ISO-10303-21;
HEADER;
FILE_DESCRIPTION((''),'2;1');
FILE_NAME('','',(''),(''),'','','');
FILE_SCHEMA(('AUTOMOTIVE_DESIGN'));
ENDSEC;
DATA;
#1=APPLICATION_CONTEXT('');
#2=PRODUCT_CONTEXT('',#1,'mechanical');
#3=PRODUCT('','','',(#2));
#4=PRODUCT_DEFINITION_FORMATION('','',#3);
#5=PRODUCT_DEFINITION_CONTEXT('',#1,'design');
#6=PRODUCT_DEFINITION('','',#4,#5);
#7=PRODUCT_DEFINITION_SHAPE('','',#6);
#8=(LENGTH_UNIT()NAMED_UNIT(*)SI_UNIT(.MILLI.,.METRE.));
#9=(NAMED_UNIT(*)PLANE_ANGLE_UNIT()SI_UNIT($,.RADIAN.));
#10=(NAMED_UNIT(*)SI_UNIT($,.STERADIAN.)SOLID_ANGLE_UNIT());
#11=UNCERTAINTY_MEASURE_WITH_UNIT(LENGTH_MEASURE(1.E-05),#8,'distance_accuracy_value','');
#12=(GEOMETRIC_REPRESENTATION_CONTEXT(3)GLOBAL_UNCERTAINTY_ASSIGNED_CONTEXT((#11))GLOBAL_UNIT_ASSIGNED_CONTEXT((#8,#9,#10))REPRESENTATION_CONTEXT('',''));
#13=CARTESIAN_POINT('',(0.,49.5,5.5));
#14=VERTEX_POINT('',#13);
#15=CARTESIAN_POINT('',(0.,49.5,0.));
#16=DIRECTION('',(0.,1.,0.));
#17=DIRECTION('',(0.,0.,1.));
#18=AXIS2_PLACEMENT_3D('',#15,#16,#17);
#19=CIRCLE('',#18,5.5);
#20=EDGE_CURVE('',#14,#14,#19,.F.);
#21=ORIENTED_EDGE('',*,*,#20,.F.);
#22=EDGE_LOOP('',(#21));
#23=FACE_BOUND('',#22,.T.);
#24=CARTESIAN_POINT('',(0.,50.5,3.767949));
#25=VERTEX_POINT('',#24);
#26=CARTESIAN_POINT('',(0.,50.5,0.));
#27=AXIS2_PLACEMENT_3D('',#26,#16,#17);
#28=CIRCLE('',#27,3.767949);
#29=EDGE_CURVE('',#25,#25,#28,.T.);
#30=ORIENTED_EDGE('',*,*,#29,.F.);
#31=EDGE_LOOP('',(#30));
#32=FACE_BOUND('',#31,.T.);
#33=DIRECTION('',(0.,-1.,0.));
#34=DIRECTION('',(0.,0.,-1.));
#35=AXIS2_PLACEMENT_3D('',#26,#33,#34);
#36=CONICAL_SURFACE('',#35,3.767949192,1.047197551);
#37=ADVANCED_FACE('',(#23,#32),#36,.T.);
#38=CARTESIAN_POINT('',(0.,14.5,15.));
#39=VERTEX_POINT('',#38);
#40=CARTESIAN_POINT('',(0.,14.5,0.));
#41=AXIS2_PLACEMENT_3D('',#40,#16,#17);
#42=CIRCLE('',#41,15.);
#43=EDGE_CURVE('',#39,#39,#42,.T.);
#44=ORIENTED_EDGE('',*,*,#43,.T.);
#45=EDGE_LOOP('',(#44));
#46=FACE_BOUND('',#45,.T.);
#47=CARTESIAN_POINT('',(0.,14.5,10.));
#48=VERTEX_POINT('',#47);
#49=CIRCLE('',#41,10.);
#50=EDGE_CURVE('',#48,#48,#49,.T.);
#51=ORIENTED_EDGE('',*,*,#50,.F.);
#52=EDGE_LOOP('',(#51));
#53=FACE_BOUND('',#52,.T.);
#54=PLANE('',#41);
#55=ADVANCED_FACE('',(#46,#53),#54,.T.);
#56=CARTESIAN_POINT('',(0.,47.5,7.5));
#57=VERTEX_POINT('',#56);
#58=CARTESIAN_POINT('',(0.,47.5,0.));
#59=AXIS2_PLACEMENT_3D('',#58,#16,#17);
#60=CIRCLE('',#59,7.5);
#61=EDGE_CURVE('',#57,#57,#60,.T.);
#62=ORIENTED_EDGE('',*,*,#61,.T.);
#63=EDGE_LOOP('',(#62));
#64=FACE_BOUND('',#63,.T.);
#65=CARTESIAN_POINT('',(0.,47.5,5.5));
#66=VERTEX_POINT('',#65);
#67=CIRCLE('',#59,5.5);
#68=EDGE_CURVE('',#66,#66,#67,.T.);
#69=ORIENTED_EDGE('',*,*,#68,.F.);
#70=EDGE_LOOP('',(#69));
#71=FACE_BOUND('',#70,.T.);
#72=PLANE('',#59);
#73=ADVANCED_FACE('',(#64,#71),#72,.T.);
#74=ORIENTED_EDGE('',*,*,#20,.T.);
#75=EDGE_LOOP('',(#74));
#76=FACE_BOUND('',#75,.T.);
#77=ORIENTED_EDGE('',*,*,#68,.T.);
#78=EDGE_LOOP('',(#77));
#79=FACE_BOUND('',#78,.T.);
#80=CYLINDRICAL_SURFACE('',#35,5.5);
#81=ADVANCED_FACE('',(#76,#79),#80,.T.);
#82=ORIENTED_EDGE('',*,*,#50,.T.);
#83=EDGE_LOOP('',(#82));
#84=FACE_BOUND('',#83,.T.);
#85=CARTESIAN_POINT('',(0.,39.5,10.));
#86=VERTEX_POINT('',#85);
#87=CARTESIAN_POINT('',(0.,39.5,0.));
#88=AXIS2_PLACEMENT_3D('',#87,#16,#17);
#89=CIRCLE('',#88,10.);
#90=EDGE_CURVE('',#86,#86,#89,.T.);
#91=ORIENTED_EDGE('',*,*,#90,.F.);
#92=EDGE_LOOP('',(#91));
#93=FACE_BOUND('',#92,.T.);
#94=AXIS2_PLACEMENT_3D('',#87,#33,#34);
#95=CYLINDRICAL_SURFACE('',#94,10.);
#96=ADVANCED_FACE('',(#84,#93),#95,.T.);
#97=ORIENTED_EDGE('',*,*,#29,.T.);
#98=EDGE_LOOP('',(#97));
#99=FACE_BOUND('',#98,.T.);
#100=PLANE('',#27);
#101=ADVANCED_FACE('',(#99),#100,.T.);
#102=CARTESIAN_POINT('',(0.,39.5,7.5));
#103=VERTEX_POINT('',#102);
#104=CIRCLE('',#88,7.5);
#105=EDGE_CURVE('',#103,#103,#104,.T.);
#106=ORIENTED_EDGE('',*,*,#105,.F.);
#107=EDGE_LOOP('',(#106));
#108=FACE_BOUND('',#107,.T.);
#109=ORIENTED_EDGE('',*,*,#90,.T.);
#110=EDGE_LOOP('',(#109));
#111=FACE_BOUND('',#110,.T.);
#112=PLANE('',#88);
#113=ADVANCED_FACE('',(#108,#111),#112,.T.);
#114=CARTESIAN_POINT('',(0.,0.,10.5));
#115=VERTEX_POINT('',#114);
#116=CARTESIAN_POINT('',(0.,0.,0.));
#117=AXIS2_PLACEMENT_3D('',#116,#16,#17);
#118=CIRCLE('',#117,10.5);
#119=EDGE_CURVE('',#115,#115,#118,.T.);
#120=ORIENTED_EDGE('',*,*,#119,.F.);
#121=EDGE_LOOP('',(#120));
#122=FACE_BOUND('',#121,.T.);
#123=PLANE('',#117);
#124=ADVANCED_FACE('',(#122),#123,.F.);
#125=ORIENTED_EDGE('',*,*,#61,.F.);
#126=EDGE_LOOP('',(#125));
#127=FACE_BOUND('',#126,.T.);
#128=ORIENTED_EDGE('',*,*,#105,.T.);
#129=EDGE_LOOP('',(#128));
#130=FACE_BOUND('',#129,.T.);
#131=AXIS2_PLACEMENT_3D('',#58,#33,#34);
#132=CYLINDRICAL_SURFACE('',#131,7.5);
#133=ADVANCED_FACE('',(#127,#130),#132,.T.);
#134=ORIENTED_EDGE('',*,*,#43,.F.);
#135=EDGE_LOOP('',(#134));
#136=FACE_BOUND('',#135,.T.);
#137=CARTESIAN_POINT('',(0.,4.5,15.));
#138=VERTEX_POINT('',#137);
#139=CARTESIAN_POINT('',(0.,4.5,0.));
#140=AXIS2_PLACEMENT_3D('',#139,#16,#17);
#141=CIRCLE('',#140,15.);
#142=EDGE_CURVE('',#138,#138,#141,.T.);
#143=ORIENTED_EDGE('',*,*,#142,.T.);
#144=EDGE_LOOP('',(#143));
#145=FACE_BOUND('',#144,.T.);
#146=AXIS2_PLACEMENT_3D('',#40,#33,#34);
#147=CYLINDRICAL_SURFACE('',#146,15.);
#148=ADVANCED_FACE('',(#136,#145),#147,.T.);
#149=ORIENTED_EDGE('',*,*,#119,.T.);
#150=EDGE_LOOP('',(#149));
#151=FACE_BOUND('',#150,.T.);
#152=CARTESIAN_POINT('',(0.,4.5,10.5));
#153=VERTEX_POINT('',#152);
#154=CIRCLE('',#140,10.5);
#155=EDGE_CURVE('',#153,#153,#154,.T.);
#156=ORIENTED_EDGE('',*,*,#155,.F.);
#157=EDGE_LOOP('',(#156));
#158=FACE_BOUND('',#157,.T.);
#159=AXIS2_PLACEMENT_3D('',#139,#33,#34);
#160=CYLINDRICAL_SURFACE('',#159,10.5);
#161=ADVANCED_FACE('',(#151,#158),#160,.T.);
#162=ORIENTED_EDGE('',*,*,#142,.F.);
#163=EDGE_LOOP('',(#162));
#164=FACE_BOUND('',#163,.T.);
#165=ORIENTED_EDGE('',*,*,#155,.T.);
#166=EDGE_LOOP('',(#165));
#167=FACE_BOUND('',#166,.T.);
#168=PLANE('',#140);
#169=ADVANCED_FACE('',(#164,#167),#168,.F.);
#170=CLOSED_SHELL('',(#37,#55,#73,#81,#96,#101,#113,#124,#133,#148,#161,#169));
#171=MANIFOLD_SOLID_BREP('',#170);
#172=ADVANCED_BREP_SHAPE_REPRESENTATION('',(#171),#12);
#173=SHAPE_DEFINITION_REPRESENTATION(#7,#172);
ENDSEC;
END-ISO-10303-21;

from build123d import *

# Parameters (mm, degrees)
SKETCH1_R           = 10.5
BOSS_EXTRUDE1_DEPTH = 4.5
SKETCH2_R           = 15
BOSS_EXTRUDE2_DEPTH = 10
SKETCH3_R           = 10
BOSS_EXTRUDE3_DEPTH = 25
SKETCH4_R           = 7.5
BOSS_EXTRUDE4_DEPTH = 8
SKETCH5_R           = 5.5
BOSS_EXTRUDE5_DEPTH = 3
CHAMFER1_SIZE       = 1
CHAMFER1_SIZE2      = 1.732050808


with BuildPart() as part:
    # Sketch1 → Boss-Extrude1 (new body)
    with BuildSketch(Plane(origin=(0, 0, 0), x_dir=(1, 0, 0), z_dir=(0, 1, 0))):
        with Locations(Location((0, 0, 0), (0, 0, 270))):
            Circle(SKETCH1_R)
    extrude(amount=BOSS_EXTRUDE1_DEPTH)

    # Sketch2 → Boss-Extrude2 (add)
    with BuildSketch(Plane(origin=(0, 4.5, 0), x_dir=(1, 0, 0), z_dir=(0, 1, 0))):
        with Locations(Location((0, 0, 0), (0, 0, 270))):
            Circle(SKETCH2_R)
    extrude(amount=BOSS_EXTRUDE2_DEPTH)

    # Sketch3 → Boss-Extrude3 (add)
    with BuildSketch(Plane(origin=(0, 14.5, 0), x_dir=(1, 0, 0), z_dir=(0, 1, 0))):
        with Locations(Location((0, 0, 0), (0, 0, 270))):
            Circle(SKETCH3_R)
    extrude(amount=BOSS_EXTRUDE3_DEPTH)

    # Sketch4 → Boss-Extrude4 (add)
    with BuildSketch(Plane(origin=(0, 39.5, 0), x_dir=(1, 0, 0), z_dir=(0, 1, 0))):
        with Locations(Location((0, 0, 0), (0, 0, 270))):
            Circle(SKETCH4_R)
    extrude(amount=BOSS_EXTRUDE4_DEPTH)

    # Sketch5 → Boss-Extrude5 (add)
    with BuildSketch(Plane(origin=(0, 47.5, 0), x_dir=(1, 0, 0), z_dir=(0, 1, 0))):
        with Locations(Location((0, 0, 0), (0, 0, 270))):
            Circle(SKETCH5_R)
    extrude(amount=BOSS_EXTRUDE5_DEPTH)

    # Chamfer1
    chamfer1_edges = [part.edges().sort_by_distance(p)[0] for p in [
        (0, 50.5, -5.5),
    ]]
    chamfer1_side = [part.faces().sort_by_distance(p)[0] for p in [
        (0, 49, -5.5),
    ]]
    chamfer(chamfer1_edges, length=CHAMFER1_SIZE, length2=CHAMFER1_SIZE2, reference=chamfer1_side[0])


solid = part.part
